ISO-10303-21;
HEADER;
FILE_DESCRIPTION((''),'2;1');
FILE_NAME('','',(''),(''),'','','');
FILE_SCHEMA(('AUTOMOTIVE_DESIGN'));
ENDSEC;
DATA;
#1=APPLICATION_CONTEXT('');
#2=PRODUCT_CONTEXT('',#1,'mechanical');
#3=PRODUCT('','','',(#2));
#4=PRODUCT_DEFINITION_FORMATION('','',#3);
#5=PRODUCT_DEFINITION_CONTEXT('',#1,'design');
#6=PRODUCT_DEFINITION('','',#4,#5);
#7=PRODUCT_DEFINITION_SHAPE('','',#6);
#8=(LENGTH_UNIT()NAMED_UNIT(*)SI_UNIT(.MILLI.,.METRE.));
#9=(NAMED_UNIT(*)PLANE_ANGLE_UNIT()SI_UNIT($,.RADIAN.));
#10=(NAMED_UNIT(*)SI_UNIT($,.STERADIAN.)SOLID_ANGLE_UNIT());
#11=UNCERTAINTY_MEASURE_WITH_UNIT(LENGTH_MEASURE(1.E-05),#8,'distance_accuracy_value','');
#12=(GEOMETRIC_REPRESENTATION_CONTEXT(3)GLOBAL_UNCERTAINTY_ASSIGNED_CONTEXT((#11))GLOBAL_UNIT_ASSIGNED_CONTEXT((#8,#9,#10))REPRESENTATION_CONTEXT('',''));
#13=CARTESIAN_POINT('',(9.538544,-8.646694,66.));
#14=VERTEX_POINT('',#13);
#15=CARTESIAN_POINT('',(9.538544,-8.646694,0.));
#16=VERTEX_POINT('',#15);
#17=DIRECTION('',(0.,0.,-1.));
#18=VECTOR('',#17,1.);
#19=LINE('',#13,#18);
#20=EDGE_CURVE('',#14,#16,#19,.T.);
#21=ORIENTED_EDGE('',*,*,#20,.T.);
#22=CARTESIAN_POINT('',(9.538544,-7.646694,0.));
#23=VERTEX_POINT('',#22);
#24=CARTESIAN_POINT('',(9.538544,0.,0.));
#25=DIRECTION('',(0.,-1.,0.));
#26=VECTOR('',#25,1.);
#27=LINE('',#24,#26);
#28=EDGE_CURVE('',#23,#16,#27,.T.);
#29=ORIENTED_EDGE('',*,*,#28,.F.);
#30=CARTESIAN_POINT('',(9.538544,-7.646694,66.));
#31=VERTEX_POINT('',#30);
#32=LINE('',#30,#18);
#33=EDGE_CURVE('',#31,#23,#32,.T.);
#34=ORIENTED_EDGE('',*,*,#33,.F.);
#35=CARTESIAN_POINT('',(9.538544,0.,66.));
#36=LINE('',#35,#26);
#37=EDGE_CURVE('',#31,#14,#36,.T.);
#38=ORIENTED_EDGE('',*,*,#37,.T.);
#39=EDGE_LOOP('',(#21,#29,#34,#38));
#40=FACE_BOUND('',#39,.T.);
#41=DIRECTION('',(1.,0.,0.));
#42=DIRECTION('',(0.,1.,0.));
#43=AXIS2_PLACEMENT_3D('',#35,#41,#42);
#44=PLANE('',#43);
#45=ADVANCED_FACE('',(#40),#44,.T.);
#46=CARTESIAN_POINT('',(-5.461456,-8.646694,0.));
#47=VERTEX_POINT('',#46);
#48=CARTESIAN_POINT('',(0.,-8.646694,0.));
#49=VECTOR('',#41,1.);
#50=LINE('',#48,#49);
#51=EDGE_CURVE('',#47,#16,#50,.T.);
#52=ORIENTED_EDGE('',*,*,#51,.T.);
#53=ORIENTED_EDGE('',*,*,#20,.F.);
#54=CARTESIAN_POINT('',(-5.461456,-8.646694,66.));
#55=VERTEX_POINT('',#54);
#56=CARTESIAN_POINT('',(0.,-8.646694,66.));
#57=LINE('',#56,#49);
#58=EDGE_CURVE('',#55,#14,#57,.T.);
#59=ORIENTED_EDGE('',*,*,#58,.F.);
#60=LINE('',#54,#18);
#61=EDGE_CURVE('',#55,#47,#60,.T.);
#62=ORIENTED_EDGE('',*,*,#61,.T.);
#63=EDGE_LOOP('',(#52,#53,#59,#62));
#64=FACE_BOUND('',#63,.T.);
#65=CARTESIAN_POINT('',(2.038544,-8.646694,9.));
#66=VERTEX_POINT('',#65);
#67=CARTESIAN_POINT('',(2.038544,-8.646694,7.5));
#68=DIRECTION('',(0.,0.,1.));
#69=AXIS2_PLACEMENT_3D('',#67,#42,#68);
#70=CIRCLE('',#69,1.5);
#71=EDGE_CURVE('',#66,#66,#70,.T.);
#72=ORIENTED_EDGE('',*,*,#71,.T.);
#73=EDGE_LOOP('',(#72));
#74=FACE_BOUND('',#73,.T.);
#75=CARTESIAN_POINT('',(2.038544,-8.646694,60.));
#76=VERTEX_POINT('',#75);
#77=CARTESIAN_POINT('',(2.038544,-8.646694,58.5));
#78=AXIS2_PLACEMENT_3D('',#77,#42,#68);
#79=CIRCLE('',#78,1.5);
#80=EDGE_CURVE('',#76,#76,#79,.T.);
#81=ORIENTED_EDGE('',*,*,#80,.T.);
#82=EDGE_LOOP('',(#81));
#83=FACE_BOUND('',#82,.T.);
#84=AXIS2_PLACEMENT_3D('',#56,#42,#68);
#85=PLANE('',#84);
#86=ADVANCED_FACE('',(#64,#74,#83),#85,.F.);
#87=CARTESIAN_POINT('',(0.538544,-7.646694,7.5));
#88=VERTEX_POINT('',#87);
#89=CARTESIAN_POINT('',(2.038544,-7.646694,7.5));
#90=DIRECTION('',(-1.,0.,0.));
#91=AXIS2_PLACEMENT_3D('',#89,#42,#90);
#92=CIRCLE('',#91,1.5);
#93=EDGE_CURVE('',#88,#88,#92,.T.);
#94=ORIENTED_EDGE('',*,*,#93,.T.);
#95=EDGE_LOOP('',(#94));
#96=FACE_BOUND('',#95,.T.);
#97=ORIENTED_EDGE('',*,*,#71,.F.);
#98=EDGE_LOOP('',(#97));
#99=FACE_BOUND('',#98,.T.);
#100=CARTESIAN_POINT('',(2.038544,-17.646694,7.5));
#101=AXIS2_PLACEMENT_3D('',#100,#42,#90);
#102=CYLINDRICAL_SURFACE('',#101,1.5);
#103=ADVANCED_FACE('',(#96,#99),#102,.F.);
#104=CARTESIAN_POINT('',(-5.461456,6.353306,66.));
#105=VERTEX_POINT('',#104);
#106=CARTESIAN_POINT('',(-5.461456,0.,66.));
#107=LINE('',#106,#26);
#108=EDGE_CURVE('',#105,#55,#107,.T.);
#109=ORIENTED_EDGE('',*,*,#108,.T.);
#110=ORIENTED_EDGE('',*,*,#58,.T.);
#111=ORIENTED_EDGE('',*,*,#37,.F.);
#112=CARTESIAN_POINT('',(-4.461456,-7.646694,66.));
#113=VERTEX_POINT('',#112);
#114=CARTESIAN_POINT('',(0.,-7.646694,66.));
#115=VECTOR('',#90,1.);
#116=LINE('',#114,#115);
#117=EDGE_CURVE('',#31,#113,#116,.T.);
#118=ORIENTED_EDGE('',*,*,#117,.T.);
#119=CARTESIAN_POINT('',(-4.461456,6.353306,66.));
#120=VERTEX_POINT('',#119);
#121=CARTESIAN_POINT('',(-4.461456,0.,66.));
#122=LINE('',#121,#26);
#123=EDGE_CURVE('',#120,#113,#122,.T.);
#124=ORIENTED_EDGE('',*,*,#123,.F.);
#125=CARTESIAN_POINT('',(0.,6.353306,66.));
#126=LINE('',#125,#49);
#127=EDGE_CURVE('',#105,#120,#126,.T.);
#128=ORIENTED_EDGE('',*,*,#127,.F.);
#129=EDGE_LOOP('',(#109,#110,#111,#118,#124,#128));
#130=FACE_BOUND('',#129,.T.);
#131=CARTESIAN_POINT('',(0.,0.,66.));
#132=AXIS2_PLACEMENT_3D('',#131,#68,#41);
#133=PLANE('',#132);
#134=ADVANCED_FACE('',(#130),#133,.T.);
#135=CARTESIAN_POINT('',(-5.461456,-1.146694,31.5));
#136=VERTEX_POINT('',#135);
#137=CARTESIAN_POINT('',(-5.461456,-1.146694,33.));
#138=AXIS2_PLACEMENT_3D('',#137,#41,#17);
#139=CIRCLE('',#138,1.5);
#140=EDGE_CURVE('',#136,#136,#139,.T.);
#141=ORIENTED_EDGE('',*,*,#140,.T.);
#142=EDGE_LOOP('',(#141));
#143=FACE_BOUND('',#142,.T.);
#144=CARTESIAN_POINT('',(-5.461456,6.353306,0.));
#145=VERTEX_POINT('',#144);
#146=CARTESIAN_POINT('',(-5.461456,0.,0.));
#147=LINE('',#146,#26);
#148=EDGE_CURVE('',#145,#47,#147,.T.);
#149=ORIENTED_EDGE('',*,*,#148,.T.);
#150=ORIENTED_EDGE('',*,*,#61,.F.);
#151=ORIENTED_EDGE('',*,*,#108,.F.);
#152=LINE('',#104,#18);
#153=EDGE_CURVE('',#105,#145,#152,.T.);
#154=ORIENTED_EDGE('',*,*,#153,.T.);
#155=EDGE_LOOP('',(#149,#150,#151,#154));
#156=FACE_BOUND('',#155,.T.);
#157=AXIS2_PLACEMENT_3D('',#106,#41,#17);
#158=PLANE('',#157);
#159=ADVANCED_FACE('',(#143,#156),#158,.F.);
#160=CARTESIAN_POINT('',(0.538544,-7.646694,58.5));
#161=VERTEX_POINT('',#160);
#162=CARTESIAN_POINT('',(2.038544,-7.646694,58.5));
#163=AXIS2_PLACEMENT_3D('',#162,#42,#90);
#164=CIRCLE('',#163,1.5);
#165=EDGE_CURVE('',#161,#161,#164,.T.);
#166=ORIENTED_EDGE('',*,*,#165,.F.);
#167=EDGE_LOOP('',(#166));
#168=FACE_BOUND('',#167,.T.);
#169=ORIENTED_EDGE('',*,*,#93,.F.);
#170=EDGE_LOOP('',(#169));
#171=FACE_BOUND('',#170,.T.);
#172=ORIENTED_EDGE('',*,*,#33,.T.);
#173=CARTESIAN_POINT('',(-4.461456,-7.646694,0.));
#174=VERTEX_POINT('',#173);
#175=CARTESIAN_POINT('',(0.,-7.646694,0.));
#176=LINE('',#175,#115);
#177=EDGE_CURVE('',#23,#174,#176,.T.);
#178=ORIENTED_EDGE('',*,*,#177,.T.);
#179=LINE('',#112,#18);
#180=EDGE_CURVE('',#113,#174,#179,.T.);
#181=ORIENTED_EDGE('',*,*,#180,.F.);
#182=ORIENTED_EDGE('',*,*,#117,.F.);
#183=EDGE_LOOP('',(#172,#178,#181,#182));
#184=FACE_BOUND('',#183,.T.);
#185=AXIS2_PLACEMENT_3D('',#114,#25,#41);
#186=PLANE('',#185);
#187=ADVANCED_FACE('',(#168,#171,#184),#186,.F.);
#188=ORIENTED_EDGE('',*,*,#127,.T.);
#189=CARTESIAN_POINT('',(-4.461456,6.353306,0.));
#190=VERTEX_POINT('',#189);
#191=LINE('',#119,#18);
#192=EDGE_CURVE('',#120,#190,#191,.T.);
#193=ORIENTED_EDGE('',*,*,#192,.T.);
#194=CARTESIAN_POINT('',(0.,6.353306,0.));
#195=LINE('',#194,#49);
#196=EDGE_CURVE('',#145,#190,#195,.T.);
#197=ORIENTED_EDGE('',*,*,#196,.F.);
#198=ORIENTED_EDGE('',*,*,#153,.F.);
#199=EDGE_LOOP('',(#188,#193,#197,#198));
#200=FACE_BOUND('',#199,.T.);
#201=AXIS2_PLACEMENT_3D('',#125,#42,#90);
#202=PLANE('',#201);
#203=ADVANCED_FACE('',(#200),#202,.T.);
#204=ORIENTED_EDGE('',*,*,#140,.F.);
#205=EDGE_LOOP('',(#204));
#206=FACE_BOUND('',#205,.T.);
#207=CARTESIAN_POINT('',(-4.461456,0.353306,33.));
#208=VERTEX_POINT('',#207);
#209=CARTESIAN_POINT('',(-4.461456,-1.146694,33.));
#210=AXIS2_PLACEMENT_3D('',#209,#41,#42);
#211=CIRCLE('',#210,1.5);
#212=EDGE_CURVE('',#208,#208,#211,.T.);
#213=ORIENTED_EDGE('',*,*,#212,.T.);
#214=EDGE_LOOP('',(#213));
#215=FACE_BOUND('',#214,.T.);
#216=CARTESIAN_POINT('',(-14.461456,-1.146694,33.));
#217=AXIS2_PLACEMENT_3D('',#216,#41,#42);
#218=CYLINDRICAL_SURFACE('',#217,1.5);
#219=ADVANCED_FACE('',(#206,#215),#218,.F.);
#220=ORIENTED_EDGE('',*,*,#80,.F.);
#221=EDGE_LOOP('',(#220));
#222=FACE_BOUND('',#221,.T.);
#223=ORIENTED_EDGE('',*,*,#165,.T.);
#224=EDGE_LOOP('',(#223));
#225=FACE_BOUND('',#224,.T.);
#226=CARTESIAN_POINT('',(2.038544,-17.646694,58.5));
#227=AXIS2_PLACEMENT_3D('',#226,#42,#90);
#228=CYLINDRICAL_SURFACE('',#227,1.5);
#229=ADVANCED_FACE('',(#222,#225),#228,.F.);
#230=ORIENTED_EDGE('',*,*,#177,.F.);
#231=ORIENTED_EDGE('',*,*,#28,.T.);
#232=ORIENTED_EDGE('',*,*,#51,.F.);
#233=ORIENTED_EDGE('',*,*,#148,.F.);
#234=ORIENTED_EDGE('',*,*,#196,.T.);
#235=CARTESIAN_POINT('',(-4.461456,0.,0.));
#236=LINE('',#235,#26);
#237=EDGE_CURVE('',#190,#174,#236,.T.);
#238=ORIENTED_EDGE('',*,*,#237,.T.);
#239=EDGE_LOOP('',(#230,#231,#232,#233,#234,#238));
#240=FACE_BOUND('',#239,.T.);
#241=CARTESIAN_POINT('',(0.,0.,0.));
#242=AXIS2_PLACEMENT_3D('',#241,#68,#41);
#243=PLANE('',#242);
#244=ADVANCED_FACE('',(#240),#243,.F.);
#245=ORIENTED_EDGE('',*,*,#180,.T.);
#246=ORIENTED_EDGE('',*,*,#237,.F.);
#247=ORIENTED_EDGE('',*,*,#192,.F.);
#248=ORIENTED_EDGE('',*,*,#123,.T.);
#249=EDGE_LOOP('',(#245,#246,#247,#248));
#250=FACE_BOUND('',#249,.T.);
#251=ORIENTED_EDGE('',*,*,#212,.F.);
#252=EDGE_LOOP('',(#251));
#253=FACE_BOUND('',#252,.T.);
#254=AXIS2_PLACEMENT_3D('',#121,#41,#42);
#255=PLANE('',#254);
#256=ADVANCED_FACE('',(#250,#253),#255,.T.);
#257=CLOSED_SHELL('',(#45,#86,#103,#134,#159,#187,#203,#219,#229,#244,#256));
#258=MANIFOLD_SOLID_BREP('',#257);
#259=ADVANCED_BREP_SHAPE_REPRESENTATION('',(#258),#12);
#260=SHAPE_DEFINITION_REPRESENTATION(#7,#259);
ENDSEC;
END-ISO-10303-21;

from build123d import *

# Parameters (mm, degrees)
EXTRUDE_1_DEPTH     = 66
SKETCH_3_R          = 1.5
CUT_EXTRUDE_1_DEPTH = 10
SKETCH_4_R          = 1.5
CUT_EXTRUDE_2_DEPTH = 10
SKETCH_5_R          = 1.5
CUT_EXTRUDE_3_DEPTH = 10


with BuildPart() as part:
    # ｽｹｯﾁ1 → ﾎﾞｽ - 押し出し1 (new body)
    with BuildSketch(Plane.XY):
        Polygon((-4.461455774, 6.353305785), (-5.461455774, 6.353305785), (-5.461455774, -8.646694215), (9.538544226, -8.646694215), (9.538544226, -7.646694215), (-4.461455774, -7.646694215), align=None)
    extrude(amount=EXTRUDE_1_DEPTH)

    # ｽｹｯﾁ3 → ｶｯﾄ - 押し出し1 (cut)
    with BuildSketch(Plane(origin=(-4.461455774, 0, 0), x_dir=(0, 0, -1), z_dir=(1, 0, 0))):
        with Locations((-33, -1.146694215)):
            Circle(SKETCH_3_R)
    extrude(amount=-CUT_EXTRUDE_1_DEPTH, mode=Mode.SUBTRACT)

    # ｽｹｯﾁ4 → ｶｯﾄ - 押し出し2 (cut)
    with BuildSketch(Plane(origin=(0, -7.646694215, 0), x_dir=(1, 0, 0), z_dir=(0, 1, 0))):
        with Locations((2.038544226, -7.5)):
            Circle(SKETCH_4_R)
    extrude(amount=-CUT_EXTRUDE_2_DEPTH, mode=Mode.SUBTRACT)

    # ｽｹｯﾁ5 → ｶｯﾄ - 押し出し3 (cut)
    with BuildSketch(Plane(origin=(0, -7.646694215, 0), x_dir=(1, 0, 0), z_dir=(0, 1, 0))):
        with Locations((2.038544226, -58.5)):
            Circle(SKETCH_5_R)
    extrude(amount=-CUT_EXTRUDE_3_DEPTH, mode=Mode.SUBTRACT)


solid = part.part
